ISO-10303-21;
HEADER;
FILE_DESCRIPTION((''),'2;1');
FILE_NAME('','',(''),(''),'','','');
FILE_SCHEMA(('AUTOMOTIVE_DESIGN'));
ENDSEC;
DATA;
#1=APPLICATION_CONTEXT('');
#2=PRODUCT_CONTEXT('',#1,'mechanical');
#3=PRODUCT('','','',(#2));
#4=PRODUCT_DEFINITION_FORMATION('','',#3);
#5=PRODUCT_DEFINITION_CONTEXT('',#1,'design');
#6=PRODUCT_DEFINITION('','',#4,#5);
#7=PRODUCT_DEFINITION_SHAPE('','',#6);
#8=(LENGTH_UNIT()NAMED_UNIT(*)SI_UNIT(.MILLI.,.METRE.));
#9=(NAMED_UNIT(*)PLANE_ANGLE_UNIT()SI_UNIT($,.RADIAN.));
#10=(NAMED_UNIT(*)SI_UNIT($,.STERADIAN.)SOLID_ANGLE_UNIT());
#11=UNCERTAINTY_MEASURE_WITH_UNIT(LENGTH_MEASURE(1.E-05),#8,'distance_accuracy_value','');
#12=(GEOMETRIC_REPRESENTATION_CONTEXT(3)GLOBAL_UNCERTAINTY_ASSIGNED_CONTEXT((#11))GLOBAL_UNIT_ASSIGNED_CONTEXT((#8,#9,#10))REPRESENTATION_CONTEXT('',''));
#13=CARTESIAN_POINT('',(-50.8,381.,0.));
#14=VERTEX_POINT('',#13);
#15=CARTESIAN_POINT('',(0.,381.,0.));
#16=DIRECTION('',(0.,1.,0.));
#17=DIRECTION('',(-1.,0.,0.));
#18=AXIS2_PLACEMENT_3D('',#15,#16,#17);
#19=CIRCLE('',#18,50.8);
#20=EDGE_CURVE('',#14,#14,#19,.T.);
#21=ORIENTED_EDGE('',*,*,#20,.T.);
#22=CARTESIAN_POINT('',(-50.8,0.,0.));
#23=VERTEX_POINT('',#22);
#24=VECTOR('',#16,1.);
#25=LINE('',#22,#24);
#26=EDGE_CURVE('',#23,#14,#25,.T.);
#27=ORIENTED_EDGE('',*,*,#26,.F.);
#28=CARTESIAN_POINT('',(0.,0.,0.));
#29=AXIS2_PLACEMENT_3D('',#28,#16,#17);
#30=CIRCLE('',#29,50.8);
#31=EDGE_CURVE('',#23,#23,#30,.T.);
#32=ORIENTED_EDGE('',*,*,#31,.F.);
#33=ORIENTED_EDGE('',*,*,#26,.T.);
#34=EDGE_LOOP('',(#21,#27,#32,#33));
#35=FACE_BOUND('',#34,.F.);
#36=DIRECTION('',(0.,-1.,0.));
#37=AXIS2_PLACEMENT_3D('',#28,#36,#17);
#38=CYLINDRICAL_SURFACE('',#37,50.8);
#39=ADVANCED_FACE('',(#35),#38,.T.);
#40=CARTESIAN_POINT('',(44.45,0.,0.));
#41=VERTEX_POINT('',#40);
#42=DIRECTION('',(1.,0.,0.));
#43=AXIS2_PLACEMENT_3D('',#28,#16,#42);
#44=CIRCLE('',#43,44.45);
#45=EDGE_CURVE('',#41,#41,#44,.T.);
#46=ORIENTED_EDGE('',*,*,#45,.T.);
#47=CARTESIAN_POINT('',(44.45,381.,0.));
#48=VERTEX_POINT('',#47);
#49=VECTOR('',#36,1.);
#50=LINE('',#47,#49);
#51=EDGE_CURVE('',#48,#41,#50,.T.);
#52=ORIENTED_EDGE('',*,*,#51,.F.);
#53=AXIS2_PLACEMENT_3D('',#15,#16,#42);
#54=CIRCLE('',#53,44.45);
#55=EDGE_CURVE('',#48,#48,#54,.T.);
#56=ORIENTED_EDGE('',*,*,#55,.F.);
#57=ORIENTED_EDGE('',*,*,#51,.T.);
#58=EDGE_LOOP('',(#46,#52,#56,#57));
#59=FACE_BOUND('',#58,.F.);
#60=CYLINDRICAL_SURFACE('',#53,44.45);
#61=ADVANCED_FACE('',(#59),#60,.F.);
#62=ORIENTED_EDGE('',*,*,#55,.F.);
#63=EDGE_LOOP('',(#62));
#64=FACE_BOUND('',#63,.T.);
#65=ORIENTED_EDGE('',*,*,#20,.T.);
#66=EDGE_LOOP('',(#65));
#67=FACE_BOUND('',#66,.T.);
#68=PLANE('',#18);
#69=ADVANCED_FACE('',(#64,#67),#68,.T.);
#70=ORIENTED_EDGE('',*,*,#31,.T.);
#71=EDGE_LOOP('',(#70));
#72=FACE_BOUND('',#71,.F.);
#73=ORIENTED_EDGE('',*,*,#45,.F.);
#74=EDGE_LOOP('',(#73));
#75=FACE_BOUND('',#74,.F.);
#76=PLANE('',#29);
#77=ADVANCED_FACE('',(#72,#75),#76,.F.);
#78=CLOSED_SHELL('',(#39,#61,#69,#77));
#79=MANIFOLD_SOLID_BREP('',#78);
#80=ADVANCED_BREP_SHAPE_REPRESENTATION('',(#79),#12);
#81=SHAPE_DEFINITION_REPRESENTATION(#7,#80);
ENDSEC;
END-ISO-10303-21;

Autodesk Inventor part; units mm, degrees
ref_plane "YZ Plane" through (0, 0, 0) normal (1, 0, 0) x (0, 1, 0)
ref_plane "XZ Plane" through (0, 0, 0) normal (0, 1, 0) x (-1, 0, 0)
ref_plane "XY Plane" through (0, 0, 0) normal (0, 0, 1) x (1, 0, 0)
sketch "Sketch1" plane through (0, 0, 0) normal (0, 1, 0) x (-1, 0, 0)
  circle A0 centre (0, 0) radius 50.8
  dimension "d0" = 101.6
extrude "Extrusion1" add sketch "Sketch1" along normal blind 381
sketch "Sketch2" plane through (0, 381, 0) normal (0, 1, 0) x (1, 0, 0)
  circle A0 centre (0, 0) radius 44.45
  dimension "d3" = 88.9
extrude "Extrusion2" cut sketch "Sketch2" against normal blind 457.2
properties part number "Fenalic Tube" material "Phenolic Resin"
